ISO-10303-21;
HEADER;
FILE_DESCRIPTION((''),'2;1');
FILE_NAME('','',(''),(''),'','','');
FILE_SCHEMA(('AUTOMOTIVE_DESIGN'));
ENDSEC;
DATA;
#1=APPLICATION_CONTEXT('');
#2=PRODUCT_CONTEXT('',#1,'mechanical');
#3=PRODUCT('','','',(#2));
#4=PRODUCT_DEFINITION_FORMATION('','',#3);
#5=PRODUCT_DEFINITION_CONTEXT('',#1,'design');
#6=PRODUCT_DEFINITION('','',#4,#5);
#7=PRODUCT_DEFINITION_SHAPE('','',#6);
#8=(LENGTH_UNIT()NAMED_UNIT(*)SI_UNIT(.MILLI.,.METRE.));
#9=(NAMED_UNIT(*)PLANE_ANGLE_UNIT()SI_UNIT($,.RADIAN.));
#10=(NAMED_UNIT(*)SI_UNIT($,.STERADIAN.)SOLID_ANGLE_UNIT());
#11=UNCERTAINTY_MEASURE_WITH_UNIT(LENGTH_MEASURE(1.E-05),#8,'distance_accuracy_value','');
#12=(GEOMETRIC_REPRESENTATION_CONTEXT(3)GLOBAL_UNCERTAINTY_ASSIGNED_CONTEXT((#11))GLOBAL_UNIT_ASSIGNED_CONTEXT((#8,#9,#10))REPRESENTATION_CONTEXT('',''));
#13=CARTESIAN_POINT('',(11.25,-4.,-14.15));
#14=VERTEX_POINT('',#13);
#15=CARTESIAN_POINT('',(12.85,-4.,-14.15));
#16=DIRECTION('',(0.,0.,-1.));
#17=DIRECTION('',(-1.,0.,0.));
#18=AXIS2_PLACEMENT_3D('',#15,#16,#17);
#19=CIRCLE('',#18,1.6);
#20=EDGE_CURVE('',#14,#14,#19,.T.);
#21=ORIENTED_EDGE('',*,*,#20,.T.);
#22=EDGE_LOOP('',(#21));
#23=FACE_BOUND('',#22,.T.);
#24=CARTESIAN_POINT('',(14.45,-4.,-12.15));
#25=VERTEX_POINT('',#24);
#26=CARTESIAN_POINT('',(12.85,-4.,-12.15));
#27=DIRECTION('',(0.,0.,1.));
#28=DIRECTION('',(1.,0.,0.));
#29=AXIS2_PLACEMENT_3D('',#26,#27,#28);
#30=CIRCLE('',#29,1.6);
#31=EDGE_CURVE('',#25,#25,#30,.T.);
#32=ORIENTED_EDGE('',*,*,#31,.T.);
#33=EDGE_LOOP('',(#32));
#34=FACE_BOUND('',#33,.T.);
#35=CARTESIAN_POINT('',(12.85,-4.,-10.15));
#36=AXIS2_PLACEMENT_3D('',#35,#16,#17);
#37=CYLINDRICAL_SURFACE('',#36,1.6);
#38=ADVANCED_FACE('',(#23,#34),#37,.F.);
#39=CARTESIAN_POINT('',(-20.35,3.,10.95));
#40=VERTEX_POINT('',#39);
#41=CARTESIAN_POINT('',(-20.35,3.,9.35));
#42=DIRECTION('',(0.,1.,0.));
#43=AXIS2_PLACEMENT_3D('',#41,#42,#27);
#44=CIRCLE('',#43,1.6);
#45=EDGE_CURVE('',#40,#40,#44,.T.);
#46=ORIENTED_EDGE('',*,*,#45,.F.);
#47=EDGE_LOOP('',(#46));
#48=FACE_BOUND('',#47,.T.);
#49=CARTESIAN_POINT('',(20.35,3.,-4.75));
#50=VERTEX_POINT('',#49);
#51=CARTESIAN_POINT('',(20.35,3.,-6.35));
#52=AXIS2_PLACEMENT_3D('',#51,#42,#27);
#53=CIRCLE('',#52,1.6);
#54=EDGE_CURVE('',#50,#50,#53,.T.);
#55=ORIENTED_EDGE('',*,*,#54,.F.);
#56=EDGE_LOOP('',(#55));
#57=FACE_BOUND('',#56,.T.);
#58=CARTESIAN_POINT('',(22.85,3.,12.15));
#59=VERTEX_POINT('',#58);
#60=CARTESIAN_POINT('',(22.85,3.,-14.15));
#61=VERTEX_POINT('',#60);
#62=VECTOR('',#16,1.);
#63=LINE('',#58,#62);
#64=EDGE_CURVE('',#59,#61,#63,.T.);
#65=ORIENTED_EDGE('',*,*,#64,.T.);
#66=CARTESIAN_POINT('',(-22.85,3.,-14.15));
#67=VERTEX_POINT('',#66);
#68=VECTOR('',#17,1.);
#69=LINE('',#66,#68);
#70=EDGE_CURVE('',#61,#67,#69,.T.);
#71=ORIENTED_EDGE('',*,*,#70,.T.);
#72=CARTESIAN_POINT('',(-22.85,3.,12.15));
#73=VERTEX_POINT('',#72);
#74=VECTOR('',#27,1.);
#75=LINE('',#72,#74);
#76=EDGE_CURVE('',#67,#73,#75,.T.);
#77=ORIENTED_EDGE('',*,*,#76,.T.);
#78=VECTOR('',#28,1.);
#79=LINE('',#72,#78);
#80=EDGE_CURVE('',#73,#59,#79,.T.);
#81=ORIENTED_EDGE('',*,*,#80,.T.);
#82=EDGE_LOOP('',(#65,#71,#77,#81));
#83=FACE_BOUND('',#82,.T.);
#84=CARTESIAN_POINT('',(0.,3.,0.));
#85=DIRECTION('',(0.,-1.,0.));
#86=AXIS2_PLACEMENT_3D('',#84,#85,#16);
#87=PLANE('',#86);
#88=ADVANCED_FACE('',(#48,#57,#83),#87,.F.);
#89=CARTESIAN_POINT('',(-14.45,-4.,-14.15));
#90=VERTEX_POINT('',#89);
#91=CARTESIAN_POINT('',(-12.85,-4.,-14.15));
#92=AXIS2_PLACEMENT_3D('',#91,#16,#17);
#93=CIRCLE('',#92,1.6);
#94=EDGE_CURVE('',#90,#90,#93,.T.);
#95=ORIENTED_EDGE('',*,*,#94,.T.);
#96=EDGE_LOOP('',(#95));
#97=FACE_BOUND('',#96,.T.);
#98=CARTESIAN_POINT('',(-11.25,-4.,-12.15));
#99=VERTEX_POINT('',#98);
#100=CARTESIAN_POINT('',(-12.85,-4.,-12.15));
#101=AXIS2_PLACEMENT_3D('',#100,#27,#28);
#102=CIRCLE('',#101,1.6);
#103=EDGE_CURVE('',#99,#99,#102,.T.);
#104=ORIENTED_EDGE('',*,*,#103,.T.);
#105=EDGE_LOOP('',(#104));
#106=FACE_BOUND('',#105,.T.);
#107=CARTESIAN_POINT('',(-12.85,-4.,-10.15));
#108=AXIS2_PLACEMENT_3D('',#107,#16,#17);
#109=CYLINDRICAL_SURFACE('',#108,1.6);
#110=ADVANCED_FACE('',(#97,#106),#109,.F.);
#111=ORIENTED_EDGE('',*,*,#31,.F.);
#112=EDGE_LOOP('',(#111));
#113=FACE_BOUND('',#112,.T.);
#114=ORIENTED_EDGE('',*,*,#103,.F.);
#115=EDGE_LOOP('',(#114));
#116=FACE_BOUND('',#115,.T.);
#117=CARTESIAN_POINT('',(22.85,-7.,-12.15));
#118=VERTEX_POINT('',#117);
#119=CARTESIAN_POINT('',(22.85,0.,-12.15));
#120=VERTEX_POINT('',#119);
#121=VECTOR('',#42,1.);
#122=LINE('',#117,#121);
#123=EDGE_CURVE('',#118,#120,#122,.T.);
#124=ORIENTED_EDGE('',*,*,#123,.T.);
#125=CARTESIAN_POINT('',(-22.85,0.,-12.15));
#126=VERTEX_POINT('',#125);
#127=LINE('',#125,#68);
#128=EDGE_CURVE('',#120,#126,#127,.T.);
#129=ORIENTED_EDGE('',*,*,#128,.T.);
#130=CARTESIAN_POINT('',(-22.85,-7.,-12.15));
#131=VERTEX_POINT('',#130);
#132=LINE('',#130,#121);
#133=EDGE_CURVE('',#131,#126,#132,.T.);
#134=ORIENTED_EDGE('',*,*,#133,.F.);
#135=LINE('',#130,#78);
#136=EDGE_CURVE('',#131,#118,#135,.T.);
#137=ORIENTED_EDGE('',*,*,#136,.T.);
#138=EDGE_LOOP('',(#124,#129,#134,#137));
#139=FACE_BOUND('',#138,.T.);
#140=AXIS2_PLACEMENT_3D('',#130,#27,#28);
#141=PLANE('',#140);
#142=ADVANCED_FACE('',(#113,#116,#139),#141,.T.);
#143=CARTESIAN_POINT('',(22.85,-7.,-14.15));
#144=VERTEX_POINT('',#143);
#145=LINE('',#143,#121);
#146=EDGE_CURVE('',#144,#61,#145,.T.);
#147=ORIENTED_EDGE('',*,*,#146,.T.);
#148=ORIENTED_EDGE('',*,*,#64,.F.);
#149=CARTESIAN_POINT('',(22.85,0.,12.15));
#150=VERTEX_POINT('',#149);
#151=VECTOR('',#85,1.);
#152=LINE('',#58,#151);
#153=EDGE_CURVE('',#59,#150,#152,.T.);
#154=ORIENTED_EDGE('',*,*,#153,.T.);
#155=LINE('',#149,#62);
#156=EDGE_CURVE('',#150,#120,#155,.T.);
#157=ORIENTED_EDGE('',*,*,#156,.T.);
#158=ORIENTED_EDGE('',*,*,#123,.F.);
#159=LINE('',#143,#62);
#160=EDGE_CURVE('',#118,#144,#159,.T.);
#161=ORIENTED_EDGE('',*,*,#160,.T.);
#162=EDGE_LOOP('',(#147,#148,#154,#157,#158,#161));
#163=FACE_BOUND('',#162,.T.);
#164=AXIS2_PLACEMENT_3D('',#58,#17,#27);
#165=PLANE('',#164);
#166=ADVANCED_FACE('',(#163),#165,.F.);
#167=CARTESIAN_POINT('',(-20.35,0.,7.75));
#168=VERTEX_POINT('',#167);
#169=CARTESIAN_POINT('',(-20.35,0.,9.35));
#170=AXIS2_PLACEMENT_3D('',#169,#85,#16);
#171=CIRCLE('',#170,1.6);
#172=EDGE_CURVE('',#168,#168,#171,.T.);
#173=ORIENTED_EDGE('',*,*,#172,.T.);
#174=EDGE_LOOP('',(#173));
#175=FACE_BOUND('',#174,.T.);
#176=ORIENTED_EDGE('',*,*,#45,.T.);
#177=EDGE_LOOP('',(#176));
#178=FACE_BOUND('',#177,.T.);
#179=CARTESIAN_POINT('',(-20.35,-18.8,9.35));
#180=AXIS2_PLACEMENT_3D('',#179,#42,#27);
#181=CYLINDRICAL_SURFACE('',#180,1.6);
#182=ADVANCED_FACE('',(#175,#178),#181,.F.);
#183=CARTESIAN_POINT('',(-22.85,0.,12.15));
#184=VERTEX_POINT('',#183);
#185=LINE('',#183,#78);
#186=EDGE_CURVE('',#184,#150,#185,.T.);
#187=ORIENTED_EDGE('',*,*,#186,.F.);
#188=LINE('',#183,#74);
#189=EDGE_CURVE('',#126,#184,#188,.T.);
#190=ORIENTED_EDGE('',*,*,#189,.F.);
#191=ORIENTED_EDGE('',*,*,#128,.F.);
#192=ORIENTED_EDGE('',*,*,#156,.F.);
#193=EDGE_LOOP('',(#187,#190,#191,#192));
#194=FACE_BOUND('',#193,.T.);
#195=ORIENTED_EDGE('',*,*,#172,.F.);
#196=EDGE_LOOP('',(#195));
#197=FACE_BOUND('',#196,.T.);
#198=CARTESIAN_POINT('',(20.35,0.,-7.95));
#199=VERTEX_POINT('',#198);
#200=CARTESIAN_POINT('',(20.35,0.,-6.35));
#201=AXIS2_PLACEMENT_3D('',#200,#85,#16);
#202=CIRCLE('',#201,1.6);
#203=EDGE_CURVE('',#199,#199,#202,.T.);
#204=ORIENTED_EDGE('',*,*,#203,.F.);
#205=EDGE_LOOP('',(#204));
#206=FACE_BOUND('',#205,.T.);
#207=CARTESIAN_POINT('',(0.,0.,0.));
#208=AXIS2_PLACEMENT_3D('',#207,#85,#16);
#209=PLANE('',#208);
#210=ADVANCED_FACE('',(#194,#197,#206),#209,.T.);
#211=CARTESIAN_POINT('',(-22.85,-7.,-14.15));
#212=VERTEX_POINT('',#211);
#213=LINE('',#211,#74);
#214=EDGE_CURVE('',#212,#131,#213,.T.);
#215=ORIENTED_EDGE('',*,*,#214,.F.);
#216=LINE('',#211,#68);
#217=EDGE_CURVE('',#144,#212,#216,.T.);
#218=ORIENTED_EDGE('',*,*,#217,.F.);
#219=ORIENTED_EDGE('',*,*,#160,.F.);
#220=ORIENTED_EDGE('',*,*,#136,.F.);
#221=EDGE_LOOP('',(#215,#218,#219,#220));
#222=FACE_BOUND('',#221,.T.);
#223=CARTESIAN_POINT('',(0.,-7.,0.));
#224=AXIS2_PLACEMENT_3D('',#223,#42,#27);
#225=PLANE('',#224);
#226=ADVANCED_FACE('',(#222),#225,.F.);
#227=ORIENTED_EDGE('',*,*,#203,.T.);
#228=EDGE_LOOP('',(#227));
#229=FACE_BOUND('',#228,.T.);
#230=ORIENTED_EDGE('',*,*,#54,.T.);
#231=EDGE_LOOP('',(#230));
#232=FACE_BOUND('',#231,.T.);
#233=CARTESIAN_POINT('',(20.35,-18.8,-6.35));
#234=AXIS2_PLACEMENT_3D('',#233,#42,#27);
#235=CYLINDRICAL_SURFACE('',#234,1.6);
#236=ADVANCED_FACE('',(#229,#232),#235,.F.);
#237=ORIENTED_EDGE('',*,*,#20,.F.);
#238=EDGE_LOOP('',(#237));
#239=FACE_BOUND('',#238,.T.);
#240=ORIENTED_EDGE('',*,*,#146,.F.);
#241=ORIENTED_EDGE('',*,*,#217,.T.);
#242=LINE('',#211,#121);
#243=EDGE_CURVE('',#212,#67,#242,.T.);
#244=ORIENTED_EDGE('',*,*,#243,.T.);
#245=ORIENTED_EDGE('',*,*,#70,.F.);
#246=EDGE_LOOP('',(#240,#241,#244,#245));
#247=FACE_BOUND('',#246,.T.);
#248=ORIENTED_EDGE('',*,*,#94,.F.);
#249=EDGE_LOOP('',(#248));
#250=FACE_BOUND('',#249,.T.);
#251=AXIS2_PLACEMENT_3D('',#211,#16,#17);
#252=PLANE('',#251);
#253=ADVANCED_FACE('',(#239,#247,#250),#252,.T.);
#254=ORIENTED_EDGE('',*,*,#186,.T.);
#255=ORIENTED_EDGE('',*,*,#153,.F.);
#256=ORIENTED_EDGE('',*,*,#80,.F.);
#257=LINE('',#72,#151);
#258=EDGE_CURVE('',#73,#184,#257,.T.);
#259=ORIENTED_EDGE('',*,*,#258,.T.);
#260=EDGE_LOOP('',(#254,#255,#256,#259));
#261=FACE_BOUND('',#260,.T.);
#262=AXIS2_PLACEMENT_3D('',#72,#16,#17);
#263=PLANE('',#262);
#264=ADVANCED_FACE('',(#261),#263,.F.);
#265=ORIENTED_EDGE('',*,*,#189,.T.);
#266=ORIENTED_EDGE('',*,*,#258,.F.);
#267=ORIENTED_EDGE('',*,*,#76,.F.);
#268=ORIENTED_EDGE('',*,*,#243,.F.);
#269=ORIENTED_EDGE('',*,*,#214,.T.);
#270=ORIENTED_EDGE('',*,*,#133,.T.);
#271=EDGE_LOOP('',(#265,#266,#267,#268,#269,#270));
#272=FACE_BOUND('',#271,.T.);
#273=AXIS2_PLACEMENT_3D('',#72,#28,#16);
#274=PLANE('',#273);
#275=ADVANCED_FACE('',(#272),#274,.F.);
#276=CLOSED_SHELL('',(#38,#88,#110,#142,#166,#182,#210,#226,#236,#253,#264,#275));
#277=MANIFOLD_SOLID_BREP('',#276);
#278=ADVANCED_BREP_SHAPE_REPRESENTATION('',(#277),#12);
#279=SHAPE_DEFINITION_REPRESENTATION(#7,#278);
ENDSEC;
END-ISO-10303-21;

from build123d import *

# Parameters (mm, degrees)
IZIM1_W                     = 45.7
IZIM1_H                     = 24.3
Y_KSEKLIK_EKSTR_ZYON1_DEPTH = 3
IZIM2_R                     = 1.6
KES_EKSTR_ZYON1_DEPTH       = 21.8
IZIM4_W                     = 45.7
IZIM4_H                     = 2
Y_KSEKLIK_EKSTR_ZYON2_DEPTH = 10
IZIM5_R                     = 1.6
KES_EKSTR_ZYON2_DEPTH       = 4


with BuildPart() as part:
    # Çizim1 → Yükseklik-Ekstrüzyon1 (new body)
    with BuildSketch(Plane(origin=(0, 0, 0), x_dir=(1, 0, 0), z_dir=(0, 1, 0))):
        Rectangle(IZIM1_W, IZIM1_H)
    extrude(amount=Y_KSEKLIK_EKSTR_ZYON1_DEPTH)

    # Çizim2 → Kes-Ekstrüzyon1 (cut)
    with BuildSketch(Plane(origin=(0, 3, 0), x_dir=(1, 0, 0), z_dir=(0, 1, 0))):
        with Locations(Location((-20.35, -9.35, 0), (0, 0, 270))):
            Circle(IZIM2_R)
        with Locations(Location((20.35, 6.35, 0), (0, 0, 270))):
            Circle(IZIM2_R)
    extrude(amount=-KES_EKSTR_ZYON1_DEPTH, mode=Mode.SUBTRACT)

    # Çizim4 → Yükseklik-Ekstrüzyon2 (add)
    with BuildSketch(Plane(origin=(0, 3, 0), x_dir=(1, 0, 0), z_dir=(0, 1, 0))):
        with Locations((0, 13.15)):
            Rectangle(IZIM4_W, IZIM4_H)
    extrude(amount=-Y_KSEKLIK_EKSTR_ZYON2_DEPTH)

    # Çizim5 → Kes-Ekstrüzyon2 (cut)
    with BuildSketch(Plane(origin=(0, 0, -14.15), x_dir=(-1, 0, 0), z_dir=(0, 0, -1))):
        with Locations((-12.85, -4)):
            Circle(IZIM5_R)
        with Locations((12.85, -4)):
            Circle(IZIM5_R)
    extrude(amount=-KES_EKSTR_ZYON2_DEPTH, mode=Mode.SUBTRACT)


solid = part.part
